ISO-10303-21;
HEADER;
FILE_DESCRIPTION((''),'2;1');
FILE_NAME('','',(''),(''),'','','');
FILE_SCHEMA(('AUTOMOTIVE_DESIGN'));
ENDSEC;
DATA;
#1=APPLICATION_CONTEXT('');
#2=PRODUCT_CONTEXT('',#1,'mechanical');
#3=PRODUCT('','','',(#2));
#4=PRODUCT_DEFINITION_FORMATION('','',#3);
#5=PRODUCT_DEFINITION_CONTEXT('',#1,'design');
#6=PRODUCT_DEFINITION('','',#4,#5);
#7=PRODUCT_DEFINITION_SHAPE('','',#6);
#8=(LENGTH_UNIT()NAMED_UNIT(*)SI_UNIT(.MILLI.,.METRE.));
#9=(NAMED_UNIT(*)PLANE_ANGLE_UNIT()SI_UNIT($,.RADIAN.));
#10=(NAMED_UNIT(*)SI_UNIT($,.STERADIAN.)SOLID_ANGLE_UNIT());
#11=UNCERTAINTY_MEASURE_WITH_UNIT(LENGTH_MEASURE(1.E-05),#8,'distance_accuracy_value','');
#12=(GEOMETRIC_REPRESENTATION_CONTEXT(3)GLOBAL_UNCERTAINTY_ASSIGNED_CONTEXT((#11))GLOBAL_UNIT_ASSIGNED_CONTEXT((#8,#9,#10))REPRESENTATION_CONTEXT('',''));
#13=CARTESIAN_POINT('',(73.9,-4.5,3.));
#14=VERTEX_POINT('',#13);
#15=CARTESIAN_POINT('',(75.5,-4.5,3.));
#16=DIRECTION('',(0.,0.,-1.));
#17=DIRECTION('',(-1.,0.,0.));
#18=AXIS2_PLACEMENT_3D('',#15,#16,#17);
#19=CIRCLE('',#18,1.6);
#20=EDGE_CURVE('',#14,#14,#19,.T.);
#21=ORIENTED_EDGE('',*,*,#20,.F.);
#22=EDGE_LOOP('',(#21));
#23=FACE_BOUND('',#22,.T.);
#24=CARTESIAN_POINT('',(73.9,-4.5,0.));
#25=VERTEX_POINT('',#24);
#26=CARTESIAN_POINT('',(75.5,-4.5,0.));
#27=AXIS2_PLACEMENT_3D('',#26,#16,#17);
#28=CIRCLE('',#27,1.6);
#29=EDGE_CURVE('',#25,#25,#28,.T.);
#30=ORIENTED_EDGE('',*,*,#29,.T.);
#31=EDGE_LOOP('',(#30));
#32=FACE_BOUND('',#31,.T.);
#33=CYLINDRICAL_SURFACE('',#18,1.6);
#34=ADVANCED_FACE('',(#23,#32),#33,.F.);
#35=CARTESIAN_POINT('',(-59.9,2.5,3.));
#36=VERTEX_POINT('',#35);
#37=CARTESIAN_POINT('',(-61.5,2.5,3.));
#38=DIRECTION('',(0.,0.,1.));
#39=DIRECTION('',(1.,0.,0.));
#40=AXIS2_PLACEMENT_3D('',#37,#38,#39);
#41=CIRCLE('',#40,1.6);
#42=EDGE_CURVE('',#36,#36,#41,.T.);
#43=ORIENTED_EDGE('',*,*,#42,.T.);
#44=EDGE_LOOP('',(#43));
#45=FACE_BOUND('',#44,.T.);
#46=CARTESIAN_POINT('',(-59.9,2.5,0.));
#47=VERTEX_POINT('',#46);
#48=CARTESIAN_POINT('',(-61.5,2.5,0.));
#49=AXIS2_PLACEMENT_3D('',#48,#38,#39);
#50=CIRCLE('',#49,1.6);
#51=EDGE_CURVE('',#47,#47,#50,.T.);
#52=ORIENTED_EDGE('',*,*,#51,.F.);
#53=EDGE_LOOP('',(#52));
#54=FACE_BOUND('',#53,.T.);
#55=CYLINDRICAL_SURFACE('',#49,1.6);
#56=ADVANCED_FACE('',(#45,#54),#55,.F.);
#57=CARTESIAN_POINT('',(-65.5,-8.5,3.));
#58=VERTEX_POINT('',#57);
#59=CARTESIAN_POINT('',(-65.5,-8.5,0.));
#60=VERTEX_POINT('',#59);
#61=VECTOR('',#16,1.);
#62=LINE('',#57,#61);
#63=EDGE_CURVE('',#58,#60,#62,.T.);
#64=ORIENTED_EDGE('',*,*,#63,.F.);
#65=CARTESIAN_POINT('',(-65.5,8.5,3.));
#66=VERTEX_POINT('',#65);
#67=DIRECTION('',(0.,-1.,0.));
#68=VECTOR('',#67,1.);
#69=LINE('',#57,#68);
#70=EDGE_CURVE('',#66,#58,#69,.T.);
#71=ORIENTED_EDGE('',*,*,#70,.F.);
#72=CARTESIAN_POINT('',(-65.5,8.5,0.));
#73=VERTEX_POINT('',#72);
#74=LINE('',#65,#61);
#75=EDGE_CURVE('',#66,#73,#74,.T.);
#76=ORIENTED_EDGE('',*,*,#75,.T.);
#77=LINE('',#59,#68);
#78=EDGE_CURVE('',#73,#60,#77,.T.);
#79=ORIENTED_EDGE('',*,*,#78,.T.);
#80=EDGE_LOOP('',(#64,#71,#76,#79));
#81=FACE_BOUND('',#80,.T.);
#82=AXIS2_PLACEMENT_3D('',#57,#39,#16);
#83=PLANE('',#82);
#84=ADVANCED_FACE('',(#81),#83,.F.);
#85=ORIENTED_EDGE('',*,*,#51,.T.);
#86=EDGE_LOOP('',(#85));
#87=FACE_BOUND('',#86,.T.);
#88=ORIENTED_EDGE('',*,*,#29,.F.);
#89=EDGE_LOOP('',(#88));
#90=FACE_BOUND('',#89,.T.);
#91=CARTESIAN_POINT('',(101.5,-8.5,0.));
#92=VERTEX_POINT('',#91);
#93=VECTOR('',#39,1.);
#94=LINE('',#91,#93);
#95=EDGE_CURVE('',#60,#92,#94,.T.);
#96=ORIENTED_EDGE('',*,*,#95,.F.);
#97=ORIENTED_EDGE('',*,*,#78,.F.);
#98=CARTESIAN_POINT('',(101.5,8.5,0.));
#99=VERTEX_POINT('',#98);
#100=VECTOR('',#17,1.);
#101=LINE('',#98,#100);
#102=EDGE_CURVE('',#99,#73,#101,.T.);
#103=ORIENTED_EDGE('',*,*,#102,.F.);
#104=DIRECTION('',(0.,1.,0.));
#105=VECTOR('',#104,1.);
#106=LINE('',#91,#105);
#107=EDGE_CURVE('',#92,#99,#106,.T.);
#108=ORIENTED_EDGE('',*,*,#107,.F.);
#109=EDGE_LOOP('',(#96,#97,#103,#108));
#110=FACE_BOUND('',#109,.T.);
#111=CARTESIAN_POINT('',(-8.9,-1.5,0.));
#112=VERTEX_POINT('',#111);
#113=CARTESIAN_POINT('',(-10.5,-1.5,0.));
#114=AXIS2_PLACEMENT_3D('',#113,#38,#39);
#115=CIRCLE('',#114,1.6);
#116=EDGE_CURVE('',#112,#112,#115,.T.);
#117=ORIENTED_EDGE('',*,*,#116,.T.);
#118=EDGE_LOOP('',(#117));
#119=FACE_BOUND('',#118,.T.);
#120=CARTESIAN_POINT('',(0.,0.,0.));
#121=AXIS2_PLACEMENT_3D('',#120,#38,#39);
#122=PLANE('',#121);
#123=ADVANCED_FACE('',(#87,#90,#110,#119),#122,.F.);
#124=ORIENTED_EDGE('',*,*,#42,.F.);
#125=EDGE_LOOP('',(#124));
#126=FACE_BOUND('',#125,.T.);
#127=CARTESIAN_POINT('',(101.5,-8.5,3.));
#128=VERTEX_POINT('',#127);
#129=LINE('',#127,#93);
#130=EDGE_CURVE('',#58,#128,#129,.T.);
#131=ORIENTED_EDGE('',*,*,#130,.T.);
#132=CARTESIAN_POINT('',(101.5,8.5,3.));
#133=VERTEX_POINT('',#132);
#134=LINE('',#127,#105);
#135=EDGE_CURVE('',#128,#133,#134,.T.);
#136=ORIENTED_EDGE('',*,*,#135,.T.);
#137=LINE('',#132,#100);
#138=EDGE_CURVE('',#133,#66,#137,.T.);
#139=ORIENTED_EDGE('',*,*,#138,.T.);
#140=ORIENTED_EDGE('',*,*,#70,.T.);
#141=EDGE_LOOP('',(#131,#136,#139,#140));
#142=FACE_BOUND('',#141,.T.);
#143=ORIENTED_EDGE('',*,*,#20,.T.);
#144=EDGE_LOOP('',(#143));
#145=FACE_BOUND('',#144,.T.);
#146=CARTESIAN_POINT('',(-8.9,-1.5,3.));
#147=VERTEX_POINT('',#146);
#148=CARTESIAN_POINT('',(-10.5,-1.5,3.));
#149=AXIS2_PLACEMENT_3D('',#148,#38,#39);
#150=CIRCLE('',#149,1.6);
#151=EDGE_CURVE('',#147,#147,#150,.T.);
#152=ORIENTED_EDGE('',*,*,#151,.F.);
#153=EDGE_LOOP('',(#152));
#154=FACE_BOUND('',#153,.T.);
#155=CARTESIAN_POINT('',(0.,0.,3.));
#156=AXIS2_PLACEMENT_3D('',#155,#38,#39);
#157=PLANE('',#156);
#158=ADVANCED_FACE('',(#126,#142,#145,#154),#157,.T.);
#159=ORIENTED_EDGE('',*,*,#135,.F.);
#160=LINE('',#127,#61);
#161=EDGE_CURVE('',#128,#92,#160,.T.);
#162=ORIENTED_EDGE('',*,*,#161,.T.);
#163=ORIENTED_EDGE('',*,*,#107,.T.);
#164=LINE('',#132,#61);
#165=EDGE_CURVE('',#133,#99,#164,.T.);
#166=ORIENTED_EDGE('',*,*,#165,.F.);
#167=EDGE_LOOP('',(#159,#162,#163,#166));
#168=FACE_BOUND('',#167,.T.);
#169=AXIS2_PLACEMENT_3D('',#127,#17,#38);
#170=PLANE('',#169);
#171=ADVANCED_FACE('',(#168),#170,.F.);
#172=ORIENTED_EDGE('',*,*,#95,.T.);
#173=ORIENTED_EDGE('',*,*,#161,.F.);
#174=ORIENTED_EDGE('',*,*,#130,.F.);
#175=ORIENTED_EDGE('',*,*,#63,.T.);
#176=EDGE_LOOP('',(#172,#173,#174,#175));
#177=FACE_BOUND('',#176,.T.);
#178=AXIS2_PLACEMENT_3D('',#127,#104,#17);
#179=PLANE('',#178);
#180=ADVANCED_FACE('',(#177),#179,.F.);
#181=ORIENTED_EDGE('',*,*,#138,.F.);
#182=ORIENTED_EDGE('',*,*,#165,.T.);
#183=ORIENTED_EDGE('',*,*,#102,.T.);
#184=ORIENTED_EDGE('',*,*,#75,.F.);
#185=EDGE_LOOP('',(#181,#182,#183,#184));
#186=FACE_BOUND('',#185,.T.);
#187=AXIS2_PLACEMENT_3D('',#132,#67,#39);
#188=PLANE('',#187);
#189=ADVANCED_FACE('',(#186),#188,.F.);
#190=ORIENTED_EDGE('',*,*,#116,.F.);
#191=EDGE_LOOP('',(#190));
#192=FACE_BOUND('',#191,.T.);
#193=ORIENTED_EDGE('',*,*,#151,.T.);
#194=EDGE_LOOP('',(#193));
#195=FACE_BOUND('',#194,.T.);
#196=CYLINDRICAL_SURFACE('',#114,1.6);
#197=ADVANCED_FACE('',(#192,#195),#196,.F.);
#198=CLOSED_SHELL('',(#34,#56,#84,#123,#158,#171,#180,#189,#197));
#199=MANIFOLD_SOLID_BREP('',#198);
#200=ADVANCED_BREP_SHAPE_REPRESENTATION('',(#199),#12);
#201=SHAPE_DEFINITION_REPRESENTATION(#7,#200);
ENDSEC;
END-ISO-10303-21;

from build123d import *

# Parameters (mm, degrees)
ESQUISSE1_W        = 167
ESQUISSE1_H        = 17
BOSS_EXTRU_1_DEPTH = 3
SKETCH1_R          = 1.6
CUT_EXTRUDE1_DEPTH = 102.899460254
SKETCH2_R          = 1.6
CUT_EXTRUDE2_DEPTH = 102.899460254
SKETCH3_R          = 1.6
CUT_EXTRUDE3_DEPTH = 102.899460254


with BuildPart() as part:
    # Esquisse1 → Boss.-Extru.1 (new body)
    with BuildSketch(Plane.XY):
        with Locations((18, 0)):
            Rectangle(ESQUISSE1_W, ESQUISSE1_H)
    extrude(amount=BOSS_EXTRU_1_DEPTH)

    # Sketch1 → Cut-Extrude1 (cut, through all)
    with BuildSketch(Plane.XY.offset(3)):
        with Locations((-61.5, 2.5)):
            Circle(SKETCH1_R)
    extrude(amount=-CUT_EXTRUDE1_DEPTH, mode=Mode.SUBTRACT)

    # Sketch2 → Cut-Extrude2 (cut, through all)
    with BuildSketch(Plane(origin=(0, 0, 0), x_dir=(-1, 0, 0), z_dir=(0, 0, -1))):
        with Locations((-75.5, -4.5)):
            Circle(SKETCH2_R)
    extrude(amount=-CUT_EXTRUDE2_DEPTH, mode=Mode.SUBTRACT)

    # Sketch3 → Cut-Extrude3 (cut, through all)
    with BuildSketch(Plane.XY.offset(3)):
        with Locations((-10.5, -1.5)):
            Circle(SKETCH3_R)
    extrude(amount=-CUT_EXTRUDE3_DEPTH, mode=Mode.SUBTRACT)


solid = part.part
